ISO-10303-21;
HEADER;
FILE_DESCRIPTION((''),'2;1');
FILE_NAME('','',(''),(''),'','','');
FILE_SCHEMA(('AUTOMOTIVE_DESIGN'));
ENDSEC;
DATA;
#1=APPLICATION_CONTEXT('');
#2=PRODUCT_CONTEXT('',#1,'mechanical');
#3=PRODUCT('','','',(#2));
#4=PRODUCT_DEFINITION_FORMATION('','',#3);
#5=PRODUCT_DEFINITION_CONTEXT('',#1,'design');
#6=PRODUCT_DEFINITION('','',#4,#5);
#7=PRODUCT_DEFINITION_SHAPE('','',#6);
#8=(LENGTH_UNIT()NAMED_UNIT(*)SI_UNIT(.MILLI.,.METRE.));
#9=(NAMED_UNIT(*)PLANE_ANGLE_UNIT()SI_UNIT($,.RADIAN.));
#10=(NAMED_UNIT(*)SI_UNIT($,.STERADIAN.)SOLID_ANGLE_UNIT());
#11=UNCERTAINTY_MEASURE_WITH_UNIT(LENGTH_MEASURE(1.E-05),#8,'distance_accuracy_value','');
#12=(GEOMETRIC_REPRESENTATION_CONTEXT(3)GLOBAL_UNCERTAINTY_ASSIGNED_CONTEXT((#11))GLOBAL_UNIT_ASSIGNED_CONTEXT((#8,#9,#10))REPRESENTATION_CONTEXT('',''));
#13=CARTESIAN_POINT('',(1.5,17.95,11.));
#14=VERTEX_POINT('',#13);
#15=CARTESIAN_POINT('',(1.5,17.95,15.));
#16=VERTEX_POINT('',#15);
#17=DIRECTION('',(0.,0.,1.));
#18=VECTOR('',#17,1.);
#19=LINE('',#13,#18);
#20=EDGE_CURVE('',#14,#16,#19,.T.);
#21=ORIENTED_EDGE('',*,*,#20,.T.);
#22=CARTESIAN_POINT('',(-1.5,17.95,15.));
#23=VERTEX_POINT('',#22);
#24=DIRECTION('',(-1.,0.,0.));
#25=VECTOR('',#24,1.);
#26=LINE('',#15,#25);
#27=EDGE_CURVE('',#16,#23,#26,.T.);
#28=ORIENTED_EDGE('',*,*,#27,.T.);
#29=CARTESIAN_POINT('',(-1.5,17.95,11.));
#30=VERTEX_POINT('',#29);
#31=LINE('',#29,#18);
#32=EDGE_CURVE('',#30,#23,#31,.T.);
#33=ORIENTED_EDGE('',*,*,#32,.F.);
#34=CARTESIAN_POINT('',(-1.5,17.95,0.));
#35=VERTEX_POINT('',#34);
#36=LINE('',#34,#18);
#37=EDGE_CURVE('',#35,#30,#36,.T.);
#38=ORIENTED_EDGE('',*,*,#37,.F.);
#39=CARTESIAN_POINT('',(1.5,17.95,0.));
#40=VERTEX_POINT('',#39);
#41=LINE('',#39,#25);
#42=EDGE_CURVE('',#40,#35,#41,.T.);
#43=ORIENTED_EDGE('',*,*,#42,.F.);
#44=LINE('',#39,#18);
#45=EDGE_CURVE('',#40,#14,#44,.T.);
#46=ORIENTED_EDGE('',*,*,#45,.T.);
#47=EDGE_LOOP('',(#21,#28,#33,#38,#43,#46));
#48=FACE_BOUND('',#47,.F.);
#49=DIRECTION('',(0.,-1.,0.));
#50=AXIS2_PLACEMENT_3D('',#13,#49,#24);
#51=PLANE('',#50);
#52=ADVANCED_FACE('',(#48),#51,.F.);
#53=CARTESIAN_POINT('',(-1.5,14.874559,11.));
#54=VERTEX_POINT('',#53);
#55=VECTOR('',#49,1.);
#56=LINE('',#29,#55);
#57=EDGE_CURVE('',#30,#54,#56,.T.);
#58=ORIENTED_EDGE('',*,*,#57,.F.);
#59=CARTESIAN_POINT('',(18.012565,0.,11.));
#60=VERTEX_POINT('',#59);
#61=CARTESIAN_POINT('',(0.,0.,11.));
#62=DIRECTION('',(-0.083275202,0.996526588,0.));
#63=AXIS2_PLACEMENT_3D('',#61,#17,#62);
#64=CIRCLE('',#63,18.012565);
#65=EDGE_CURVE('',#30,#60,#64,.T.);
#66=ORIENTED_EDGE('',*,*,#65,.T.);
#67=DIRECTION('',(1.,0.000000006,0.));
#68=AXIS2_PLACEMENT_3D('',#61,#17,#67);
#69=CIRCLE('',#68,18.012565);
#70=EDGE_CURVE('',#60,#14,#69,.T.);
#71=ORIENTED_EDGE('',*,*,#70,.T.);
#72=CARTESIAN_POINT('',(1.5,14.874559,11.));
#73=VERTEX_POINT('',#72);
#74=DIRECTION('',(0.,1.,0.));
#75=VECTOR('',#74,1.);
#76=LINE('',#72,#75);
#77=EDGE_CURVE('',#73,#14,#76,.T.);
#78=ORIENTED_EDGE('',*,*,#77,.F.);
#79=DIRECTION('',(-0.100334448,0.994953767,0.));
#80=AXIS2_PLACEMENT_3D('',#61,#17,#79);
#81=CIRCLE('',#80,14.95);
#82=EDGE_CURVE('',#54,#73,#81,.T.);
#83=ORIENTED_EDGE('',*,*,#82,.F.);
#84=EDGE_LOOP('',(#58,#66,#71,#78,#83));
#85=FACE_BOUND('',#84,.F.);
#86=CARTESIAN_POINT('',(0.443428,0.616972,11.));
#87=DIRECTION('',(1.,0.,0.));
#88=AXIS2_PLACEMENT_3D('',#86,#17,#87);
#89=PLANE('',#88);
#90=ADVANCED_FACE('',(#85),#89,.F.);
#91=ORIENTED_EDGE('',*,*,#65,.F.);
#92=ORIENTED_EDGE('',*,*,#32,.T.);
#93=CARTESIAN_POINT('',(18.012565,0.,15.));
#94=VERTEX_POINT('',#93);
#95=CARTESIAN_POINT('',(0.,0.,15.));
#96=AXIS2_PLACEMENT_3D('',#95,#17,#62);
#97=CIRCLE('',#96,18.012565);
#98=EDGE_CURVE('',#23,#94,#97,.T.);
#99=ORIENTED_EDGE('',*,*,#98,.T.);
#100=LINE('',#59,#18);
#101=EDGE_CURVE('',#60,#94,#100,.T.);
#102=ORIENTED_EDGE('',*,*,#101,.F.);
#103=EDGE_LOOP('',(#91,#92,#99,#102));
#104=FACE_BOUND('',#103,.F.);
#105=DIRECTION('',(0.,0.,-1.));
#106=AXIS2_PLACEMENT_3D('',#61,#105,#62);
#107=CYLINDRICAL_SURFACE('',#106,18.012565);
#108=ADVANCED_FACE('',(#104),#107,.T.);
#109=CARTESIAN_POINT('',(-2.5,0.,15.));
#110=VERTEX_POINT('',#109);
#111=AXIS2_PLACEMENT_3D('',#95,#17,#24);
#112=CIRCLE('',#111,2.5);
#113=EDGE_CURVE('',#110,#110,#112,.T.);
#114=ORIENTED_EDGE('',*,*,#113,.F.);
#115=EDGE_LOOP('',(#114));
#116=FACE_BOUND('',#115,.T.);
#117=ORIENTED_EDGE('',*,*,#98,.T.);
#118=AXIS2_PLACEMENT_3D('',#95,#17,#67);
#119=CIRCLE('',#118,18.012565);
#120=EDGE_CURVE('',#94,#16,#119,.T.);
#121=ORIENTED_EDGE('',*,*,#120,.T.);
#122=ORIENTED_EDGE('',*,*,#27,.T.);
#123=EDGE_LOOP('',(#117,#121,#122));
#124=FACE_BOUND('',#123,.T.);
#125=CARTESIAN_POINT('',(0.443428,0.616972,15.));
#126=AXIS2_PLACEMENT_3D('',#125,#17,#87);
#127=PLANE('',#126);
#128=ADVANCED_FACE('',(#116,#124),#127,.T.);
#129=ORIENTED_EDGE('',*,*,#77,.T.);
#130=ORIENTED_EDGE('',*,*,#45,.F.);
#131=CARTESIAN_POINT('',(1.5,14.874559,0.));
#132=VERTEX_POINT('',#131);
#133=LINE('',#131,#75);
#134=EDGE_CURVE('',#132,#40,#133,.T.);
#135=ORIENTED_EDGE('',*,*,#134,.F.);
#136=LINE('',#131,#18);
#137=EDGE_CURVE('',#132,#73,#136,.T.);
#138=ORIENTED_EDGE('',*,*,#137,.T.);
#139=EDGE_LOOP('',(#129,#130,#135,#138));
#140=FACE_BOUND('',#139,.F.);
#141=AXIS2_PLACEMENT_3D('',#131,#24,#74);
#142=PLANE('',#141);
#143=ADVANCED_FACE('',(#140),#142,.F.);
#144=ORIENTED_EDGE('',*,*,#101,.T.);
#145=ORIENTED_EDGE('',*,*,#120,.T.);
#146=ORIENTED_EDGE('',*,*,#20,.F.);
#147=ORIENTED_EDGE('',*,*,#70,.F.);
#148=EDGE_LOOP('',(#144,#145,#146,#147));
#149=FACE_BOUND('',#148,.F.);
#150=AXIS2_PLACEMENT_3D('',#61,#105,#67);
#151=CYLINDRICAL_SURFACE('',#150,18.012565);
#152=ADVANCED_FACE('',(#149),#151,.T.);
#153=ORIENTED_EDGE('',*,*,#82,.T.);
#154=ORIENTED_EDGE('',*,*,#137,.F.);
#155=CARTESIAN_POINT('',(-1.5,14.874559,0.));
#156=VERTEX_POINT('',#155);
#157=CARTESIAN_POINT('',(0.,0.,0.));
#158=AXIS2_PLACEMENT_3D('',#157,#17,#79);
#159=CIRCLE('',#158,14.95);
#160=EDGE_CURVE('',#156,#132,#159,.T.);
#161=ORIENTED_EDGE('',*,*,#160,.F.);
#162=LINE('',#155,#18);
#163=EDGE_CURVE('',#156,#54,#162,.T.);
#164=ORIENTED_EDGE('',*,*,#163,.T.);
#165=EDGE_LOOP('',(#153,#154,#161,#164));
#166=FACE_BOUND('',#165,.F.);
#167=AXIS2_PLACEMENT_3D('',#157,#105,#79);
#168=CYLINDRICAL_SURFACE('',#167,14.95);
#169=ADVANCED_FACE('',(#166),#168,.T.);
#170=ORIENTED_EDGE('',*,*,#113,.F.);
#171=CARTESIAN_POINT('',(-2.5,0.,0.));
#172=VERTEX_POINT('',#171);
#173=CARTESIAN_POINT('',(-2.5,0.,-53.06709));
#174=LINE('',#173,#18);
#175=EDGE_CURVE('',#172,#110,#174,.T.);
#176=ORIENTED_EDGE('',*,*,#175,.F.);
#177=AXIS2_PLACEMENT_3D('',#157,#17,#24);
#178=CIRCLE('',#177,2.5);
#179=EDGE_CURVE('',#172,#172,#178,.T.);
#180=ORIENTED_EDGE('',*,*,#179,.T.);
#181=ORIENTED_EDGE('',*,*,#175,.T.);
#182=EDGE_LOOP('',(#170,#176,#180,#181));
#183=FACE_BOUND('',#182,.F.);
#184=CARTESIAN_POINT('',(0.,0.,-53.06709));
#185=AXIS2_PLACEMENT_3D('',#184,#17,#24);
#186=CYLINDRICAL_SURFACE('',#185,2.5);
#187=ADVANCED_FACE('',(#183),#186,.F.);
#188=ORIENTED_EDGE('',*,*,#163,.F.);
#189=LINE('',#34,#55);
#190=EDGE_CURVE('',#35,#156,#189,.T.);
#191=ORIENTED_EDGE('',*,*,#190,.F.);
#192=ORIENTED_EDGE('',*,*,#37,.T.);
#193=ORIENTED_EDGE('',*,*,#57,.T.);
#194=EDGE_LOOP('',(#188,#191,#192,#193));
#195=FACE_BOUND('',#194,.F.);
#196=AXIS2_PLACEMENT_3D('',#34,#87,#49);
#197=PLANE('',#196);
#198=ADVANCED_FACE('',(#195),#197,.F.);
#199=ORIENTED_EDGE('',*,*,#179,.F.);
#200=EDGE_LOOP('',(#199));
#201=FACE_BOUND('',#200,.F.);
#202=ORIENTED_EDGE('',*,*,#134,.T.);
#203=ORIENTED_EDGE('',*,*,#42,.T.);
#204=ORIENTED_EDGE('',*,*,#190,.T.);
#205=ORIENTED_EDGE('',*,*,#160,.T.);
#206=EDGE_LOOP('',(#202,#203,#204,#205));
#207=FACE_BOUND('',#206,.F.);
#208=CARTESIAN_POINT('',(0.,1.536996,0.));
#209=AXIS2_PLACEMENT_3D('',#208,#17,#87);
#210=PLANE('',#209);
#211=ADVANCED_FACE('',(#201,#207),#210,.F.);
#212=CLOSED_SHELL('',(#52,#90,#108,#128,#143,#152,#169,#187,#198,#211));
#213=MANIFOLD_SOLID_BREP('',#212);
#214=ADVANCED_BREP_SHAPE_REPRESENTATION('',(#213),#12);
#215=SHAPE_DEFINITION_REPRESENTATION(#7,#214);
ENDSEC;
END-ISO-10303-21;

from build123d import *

# Parameters (mm, degrees)
F1_DEPTH = 11
F3_DEPTH = 4
F5_D     = 5


with BuildPart() as f1:
    # F0 (on Top) → F1 (new body)
    with BuildSketch(Plane.XY):
        with BuildLine():
            Line((-1.5, 17.95), (-1.5, 14.874559))
            ThreePointArc((-1.5, 14.874559), (0, -14.95), (1.5, 14.874559))
            Line((1.5, 14.874559), (1.5, 17.95))
            Line((1.5, 17.95), (-1.5, 17.95))
        make_face()
    extrude(amount=F1_DEPTH)

    # F2 (on face) → F3 (join)
    with BuildSketch(Plane.XY.offset(11)):
        with BuildLine():
            ThreePointArc((-1.5, 17.95), (-12.194951, -13.256533), (18.012565, 0))
            ThreePointArc((18.012565, 0), (13.256533, 12.194951), (1.5, 17.95))
            Line((1.5, 17.95), (1.5, 14.874559))
            ThreePointArc((1.5, 14.874559), (0, -14.95), (-1.5, 14.874559))
            Line((-1.5, 14.874559), (-1.5, 17.95))
        make_face()
        with BuildLine():
            Line((1.5, 14.874559), (1.5, 17.95))
            Line((1.5, 17.95), (-1.5, 17.95))
            Line((-1.5, 17.95), (-1.5, 14.874559))
            ThreePointArc((-1.5, 14.874559), (0, -14.95), (1.5, 14.874559))
        make_face()
    extrude(amount=F3_DEPTH)

    # F5 (through all)
    with Locations(Plane(origin=(0, 0, 0), x_dir=(1, 0, 0), z_dir=(0, 0, -1))):
        with Locations((0, 0)):
            Hole(F5_D / 2)


solid = f1.part
